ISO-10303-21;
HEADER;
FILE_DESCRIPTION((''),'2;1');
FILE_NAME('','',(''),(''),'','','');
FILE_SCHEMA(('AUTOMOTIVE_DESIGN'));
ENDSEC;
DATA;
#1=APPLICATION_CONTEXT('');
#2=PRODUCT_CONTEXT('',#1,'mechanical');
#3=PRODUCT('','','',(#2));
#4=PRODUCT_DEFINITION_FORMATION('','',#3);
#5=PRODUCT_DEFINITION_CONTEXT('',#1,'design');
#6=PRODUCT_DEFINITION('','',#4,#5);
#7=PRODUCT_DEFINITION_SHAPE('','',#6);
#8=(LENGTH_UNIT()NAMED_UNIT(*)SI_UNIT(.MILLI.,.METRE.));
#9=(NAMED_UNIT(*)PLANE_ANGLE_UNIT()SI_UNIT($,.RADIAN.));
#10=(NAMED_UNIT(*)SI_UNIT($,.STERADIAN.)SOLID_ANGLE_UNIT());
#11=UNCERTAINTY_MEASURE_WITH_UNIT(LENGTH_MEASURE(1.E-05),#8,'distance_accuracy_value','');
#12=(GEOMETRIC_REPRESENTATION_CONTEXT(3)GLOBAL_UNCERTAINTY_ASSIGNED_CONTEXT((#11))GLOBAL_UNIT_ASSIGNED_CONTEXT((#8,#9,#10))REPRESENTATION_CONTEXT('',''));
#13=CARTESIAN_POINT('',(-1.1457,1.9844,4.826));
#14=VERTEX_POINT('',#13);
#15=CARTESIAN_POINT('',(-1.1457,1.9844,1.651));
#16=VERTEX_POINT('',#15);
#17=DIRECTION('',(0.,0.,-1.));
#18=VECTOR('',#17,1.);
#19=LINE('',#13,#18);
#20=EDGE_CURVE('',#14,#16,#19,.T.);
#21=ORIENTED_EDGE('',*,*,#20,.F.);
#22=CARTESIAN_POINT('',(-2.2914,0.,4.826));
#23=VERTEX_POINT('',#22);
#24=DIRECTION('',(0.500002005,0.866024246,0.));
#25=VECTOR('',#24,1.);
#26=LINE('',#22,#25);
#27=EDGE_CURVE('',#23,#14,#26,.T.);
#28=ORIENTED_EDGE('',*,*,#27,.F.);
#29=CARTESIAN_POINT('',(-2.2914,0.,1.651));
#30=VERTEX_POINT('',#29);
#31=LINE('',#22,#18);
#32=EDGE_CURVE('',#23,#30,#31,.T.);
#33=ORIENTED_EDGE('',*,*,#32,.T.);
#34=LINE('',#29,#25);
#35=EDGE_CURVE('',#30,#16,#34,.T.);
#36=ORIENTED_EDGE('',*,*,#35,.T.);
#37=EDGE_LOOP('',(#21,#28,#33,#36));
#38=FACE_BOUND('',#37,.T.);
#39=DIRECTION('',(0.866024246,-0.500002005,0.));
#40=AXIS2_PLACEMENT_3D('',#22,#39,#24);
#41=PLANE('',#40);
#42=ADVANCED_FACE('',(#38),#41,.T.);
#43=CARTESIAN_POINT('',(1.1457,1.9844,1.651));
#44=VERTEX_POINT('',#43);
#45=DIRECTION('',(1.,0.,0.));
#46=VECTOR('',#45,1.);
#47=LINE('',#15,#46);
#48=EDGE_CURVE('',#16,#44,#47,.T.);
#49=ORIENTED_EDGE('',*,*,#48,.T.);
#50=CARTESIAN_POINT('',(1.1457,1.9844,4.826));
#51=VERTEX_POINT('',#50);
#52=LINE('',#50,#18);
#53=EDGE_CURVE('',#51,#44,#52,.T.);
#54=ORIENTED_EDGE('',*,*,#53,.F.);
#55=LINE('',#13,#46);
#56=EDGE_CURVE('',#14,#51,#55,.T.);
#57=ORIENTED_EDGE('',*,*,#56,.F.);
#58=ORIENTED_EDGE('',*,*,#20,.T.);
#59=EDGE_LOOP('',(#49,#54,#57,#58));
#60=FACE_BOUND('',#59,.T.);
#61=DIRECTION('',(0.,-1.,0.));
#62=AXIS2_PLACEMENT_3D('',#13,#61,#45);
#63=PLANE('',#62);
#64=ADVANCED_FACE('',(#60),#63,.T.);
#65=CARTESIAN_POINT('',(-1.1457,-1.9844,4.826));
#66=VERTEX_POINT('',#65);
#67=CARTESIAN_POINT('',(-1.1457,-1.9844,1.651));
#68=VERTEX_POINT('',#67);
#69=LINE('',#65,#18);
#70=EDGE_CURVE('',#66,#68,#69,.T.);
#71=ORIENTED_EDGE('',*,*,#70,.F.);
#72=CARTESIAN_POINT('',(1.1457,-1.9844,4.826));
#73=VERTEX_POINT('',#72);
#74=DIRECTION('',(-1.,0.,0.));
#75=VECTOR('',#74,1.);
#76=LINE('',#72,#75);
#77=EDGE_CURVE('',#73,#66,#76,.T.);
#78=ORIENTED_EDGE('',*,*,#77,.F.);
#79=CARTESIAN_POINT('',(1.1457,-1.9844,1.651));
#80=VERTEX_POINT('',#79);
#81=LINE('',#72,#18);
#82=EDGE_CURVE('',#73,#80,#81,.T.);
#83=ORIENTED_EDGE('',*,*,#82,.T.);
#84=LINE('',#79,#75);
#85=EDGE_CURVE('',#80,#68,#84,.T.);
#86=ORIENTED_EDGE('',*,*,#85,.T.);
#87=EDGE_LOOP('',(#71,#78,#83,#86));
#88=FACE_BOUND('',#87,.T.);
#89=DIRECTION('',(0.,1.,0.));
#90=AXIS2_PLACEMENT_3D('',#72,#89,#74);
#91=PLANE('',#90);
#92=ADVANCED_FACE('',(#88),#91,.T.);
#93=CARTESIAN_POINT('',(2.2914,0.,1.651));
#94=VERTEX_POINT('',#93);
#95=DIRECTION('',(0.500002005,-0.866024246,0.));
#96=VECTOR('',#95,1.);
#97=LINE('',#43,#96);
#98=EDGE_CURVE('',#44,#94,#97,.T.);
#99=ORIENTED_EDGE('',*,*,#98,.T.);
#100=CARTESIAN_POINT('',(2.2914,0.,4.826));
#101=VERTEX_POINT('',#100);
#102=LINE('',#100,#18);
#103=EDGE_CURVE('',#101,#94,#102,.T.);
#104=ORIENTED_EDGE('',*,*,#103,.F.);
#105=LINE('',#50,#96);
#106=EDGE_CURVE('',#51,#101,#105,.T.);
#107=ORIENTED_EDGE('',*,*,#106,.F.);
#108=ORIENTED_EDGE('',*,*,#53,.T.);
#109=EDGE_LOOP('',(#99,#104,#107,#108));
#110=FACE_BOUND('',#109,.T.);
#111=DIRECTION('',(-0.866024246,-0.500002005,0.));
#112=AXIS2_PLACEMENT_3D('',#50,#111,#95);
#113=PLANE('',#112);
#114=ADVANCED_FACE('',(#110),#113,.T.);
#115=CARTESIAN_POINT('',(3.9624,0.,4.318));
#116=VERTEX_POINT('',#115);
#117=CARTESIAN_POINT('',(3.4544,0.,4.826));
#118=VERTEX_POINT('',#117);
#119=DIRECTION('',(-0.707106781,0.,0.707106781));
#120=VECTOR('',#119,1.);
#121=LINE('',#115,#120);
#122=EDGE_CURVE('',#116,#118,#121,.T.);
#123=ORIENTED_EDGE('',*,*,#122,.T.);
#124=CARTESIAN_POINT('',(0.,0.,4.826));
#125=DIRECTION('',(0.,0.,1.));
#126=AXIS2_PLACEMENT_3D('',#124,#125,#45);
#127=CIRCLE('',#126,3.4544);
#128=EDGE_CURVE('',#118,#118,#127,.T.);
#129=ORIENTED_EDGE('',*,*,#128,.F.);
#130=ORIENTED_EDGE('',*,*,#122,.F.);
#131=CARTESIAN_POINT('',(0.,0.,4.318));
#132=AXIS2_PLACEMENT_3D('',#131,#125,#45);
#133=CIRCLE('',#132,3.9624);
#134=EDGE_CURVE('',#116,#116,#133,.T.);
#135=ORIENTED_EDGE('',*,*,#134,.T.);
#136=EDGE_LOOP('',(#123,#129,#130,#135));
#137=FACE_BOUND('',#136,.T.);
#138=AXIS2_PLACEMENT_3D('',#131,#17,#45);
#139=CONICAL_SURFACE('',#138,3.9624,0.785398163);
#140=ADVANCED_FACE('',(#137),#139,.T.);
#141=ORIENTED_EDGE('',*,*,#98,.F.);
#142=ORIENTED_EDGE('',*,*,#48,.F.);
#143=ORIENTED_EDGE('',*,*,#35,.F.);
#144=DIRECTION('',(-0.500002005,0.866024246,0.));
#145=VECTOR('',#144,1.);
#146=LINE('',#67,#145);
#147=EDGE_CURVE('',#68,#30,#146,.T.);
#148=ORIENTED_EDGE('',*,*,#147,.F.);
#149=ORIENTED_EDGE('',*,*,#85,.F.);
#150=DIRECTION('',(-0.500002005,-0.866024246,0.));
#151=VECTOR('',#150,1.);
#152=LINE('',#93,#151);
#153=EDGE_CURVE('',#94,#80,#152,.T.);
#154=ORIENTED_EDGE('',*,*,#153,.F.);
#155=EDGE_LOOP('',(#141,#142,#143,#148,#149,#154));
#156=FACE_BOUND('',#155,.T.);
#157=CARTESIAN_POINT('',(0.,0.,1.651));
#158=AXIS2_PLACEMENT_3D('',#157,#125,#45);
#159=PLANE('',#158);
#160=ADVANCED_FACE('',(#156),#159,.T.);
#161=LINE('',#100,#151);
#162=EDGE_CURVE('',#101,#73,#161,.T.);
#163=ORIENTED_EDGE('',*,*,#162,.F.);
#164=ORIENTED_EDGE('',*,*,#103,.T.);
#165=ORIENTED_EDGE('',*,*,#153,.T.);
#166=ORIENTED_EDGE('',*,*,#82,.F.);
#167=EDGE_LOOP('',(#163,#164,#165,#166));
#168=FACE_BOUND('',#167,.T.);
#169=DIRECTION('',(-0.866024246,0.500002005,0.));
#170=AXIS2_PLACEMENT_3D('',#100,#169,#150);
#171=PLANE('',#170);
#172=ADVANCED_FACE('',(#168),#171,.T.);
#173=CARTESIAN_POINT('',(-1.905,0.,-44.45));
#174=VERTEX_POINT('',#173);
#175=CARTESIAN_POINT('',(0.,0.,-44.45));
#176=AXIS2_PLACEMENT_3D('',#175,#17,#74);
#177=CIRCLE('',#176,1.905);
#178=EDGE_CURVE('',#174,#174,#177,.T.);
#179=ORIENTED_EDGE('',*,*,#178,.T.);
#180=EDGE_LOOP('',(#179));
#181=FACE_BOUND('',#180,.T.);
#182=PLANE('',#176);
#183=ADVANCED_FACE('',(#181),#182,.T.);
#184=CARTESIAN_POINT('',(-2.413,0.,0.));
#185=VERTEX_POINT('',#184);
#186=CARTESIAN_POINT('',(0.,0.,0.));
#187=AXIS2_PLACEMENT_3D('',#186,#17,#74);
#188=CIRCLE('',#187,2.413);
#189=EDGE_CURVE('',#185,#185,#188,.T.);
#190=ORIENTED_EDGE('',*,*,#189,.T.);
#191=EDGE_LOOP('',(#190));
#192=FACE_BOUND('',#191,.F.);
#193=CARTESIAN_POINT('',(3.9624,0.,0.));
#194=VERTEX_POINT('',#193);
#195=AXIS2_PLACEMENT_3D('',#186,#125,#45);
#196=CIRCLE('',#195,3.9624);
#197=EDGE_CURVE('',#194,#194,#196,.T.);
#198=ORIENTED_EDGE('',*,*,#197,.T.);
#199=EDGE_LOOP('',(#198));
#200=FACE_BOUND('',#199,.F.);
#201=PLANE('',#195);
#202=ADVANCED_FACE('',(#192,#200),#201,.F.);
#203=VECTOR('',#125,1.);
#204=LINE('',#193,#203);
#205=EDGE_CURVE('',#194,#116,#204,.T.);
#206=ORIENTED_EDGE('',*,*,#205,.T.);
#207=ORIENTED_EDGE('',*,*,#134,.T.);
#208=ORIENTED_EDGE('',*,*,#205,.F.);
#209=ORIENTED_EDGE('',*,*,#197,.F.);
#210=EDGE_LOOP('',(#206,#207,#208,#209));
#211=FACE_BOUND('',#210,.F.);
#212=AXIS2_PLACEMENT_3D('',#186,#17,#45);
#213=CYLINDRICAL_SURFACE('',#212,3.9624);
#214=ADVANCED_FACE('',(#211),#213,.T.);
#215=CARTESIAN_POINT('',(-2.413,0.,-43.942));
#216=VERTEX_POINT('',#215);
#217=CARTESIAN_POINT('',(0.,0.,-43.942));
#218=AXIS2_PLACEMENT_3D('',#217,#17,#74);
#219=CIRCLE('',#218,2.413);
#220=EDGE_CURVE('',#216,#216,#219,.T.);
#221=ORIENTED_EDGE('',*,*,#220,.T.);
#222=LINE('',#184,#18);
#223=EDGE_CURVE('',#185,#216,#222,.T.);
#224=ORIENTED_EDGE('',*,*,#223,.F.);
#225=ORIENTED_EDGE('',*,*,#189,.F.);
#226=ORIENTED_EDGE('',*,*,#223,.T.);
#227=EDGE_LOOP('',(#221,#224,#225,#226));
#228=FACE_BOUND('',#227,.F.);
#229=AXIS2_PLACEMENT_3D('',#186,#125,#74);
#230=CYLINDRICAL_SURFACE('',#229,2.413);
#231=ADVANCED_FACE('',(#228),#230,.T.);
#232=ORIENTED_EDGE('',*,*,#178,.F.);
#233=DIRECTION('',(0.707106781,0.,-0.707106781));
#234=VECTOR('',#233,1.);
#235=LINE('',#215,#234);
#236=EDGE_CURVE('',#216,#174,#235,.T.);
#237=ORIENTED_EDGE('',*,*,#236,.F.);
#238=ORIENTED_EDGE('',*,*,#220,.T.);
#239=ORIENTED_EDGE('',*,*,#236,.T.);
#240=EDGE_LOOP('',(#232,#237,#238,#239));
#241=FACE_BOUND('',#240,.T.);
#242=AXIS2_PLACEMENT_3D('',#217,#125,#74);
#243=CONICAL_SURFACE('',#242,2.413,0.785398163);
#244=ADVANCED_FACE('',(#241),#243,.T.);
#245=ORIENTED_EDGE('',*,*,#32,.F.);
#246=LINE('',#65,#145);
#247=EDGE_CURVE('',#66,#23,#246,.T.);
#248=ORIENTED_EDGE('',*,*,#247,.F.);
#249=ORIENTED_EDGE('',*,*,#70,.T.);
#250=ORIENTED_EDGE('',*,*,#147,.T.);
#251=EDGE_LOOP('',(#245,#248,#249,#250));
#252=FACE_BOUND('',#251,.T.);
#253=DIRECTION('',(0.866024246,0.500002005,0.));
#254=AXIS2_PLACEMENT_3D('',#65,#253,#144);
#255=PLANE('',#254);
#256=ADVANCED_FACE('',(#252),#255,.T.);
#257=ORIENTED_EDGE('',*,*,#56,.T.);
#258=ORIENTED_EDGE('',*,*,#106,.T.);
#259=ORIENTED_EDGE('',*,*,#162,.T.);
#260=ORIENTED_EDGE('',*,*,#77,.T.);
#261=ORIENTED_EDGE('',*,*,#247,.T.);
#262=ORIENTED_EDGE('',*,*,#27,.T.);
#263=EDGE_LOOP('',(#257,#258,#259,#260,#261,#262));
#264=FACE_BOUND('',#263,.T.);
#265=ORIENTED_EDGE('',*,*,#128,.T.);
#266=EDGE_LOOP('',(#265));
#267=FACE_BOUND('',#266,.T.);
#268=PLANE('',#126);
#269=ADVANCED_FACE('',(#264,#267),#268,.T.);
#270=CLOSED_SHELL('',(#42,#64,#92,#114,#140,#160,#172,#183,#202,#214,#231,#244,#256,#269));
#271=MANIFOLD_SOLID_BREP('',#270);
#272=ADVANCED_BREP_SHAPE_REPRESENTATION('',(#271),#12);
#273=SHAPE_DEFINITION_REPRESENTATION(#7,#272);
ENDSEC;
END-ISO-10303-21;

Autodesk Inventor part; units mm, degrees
ref_plane "YZ Plane" through (0, 0, 0) normal (1, 0, 0) x (0, 1, 0)
ref_plane "XZ Plane" through (0, 0, 0) normal (0, 1, 0) x (-1, 0, 0)
ref_plane "XY Plane" through (0, 0, 0) normal (0, 0, 1) x (1, 0, 0)
sketch "Sketch1" plane through (0, 0, 0) normal (0, 0, 1) x (1, 0, 0)
  circle A0 centre (0, 0) radius 3.9624
  dimension "d0" = 7.9248
extrude "Extrusion1" add sketch "Sketch1" along normal blind 4.826
sketch "Sketch2" plane through (0, 0, 0) normal (0, 0, -1) x (-1, 0, 0)
  circle A0 centre (0, 0) radius 3.9624 projected
  circle A1 centre (0, 0) radius 2.413
  dimension "d3" = 4.826
extrude "Extrusion2" add sketch "Sketch2" along normal blind 44.45 contours A1
sketch "Sketch3" plane through (0, 0, 4.826) normal (0, 0, 1) x (1, 0, 0)
  circle A0 centre (0, 0) radius 3.9624 projected
  line L0 (-1.1457, 1.9844) -> (1.1457, 1.9844)
  line L1 (1.1457, 1.9844) -> (2.2914, 0)
  line L2 (2.2914, 0) -> (1.1457, -1.9844)
  line L3 (1.1457, -1.9844) -> (-1.1457, -1.9844)
  line L4 (-1.1457, -1.9844) -> (-2.2914, 0)
  line L5 (-2.2914, 0) -> (-1.1457, 1.9844)
  dimension "d6" = 3.9688
extrude "Extrusion3" cut sketch "Sketch3" against normal blind 3.175 contours L0 L1 L2 L3 L4 L5
thread "Thread1" size "10-32 UNF" class "2A" standard "ANSI Unified Screw Threads" length 25.4
chamfer "Chamfer1" distance 0.508 angle 45 1 edges at (2.413, 0, -44.45)
chamfer "Chamfer2" distance 0.508 angle 45 1 edges at (-3.9624, 0, 4.826)
properties part number "10-32 x1000" material "Steel"
